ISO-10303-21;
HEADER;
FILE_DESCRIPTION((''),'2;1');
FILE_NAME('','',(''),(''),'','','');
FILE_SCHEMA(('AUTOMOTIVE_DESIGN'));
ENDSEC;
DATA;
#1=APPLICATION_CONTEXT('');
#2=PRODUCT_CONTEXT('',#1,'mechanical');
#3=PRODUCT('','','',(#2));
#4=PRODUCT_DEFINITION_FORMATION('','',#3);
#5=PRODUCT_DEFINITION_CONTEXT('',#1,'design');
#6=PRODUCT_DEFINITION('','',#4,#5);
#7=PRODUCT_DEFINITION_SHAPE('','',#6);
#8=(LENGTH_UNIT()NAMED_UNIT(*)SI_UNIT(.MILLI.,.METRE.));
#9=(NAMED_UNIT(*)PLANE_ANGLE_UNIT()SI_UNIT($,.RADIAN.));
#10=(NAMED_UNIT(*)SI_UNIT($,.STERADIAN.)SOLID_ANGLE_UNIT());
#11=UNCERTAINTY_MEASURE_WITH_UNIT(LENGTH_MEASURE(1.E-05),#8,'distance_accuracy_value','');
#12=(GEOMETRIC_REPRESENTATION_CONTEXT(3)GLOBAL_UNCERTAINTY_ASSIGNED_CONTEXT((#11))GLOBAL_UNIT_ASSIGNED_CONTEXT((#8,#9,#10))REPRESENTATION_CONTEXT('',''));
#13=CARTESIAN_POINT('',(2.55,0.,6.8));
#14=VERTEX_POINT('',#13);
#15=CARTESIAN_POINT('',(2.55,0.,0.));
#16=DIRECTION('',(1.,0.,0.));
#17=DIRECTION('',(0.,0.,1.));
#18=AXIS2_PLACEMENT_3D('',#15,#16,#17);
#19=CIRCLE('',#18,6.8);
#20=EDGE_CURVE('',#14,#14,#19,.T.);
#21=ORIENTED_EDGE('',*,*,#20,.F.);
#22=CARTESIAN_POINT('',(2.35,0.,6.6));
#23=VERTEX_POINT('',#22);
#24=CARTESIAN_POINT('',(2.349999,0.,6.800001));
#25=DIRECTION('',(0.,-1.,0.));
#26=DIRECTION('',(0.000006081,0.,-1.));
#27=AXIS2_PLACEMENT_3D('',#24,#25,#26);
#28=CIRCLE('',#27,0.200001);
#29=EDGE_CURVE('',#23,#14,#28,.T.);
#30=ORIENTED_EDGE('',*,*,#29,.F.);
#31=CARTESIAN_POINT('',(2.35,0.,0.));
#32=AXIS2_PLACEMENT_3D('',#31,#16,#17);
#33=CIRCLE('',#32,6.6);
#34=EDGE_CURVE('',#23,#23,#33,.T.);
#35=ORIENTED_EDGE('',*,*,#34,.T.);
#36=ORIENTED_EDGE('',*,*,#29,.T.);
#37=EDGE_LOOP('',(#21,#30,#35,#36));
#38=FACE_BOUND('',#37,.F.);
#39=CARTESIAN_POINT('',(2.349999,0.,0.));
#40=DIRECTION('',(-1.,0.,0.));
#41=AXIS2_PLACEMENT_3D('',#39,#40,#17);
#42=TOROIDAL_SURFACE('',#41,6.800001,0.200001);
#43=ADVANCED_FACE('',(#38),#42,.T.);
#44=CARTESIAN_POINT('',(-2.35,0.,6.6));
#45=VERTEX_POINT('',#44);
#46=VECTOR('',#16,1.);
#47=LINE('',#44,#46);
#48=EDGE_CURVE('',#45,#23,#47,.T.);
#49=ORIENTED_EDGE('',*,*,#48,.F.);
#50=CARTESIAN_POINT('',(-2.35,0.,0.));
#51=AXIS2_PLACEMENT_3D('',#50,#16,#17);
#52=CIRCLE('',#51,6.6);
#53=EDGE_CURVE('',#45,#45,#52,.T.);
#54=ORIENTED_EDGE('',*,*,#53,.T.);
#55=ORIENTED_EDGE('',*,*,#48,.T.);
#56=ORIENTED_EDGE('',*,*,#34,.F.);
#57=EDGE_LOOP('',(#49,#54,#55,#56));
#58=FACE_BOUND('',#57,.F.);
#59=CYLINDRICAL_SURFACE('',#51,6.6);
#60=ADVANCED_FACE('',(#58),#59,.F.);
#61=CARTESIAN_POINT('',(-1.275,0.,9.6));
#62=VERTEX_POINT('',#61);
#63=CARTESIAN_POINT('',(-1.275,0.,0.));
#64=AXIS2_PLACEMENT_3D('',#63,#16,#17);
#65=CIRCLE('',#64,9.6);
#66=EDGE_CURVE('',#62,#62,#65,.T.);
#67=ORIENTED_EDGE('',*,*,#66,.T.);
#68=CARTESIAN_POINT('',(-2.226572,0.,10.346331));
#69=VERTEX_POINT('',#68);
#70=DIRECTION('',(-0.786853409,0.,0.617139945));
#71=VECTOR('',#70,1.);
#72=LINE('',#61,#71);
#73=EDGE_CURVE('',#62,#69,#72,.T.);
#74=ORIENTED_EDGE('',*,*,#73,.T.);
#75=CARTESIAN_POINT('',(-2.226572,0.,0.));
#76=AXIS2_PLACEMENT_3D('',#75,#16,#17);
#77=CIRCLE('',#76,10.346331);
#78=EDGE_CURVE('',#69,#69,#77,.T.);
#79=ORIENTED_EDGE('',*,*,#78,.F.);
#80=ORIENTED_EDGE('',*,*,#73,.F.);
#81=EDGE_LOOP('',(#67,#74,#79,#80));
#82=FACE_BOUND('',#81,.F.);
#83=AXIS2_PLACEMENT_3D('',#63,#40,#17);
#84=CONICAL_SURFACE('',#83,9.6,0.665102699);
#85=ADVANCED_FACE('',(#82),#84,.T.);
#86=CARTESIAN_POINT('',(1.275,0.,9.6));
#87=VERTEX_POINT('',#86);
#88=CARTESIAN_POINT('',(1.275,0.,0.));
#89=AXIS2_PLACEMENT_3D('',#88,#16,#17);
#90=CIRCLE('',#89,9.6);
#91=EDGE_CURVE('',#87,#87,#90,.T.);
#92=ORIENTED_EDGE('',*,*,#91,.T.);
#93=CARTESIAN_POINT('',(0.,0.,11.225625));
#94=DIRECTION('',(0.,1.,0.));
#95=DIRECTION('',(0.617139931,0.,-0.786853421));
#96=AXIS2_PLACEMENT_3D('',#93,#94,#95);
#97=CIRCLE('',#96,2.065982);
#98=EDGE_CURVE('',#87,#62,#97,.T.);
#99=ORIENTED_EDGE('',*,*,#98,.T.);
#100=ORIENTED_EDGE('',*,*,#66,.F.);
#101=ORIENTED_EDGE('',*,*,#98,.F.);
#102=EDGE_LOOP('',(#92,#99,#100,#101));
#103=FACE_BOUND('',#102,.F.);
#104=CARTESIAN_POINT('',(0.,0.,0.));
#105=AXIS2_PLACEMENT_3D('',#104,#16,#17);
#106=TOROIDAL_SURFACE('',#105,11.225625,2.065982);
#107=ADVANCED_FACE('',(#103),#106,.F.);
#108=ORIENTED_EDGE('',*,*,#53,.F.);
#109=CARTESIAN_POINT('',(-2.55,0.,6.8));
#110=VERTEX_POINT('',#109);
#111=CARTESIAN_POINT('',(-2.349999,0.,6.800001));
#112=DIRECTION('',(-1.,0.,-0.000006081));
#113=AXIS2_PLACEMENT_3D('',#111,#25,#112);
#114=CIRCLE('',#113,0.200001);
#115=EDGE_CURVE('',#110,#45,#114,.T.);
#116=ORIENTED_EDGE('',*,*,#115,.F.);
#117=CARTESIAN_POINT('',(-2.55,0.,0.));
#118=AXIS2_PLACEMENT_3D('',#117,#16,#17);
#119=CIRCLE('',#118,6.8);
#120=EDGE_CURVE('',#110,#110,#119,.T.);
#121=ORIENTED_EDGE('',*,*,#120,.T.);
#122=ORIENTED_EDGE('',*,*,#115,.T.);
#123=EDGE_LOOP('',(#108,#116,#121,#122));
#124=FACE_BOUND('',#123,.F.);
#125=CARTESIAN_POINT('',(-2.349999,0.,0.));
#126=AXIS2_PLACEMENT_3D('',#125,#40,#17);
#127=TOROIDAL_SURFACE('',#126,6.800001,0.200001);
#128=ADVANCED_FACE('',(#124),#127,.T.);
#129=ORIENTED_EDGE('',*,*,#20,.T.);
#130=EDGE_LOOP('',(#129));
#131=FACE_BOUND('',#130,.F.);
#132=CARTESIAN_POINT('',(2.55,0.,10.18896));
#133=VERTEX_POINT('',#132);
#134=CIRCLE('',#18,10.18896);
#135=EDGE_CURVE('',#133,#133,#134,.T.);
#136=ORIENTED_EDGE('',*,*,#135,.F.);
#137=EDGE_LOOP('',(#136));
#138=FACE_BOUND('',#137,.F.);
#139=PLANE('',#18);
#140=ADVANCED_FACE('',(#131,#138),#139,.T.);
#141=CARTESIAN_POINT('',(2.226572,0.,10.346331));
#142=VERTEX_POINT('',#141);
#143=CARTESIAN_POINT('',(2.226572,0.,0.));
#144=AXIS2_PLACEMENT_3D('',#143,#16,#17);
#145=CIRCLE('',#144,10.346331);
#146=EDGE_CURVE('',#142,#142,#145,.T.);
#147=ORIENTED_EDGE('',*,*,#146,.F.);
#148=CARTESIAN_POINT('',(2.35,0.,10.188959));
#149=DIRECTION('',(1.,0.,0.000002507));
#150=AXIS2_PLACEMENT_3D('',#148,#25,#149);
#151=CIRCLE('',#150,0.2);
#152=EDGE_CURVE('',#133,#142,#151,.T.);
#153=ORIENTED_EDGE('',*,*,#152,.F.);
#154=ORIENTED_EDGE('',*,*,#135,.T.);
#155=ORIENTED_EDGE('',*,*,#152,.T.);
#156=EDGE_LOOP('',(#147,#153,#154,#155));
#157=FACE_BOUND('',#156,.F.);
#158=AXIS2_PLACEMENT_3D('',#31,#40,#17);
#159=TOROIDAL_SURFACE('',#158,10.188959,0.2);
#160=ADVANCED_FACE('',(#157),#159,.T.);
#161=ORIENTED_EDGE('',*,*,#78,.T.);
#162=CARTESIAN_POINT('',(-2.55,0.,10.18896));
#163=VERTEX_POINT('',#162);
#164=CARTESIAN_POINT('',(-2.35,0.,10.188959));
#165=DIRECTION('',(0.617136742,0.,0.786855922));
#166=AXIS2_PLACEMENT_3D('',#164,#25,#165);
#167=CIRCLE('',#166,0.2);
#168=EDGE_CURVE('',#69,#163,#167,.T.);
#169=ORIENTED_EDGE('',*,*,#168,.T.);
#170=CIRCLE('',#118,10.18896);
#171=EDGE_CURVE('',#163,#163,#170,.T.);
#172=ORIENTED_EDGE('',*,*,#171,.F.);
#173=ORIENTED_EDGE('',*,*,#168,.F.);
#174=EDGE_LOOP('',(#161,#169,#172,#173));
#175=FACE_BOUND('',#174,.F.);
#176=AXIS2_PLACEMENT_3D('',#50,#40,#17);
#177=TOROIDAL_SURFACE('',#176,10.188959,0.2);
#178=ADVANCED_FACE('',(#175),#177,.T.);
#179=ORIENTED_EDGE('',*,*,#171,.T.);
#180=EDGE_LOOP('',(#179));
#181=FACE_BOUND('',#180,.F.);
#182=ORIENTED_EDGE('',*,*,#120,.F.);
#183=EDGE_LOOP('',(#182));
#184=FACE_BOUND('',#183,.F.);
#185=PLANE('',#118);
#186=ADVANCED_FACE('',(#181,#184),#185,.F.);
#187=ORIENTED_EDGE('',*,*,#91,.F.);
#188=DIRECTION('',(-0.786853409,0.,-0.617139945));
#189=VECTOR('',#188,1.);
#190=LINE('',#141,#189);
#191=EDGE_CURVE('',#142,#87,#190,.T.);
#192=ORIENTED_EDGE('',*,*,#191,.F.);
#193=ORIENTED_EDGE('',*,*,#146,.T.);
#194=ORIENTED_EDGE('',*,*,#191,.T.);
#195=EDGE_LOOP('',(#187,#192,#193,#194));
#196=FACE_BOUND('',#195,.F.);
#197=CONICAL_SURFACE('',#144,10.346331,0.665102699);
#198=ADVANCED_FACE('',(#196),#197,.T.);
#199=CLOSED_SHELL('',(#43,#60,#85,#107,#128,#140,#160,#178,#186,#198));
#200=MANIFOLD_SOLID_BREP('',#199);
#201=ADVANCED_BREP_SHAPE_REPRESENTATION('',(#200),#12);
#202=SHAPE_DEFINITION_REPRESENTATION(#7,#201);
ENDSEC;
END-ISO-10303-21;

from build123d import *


with BuildPart() as f1:
    # F0 (on Front) → F1 (revolve)
    with BuildSketch(Plane.XZ):
        with BuildLine():
            ThreePointArc((-2.55, 6.8), (-2.491421, 6.658579), (-2.35, 6.6))
            Line((-2.35, 6.6), (2.35, 6.6))
            ThreePointArc((2.35, 6.6), (2.491421, 6.658579), (2.55, 6.8))
            Line((2.55, 6.8), (2.55, 10.18896))
            ThreePointArc((2.55, 10.18896), (2.437505, 10.368801), (2.226572, 10.346331))
            Line((2.226572, 10.346331), (1.275, 9.6))
            ThreePointArc((1.275, 9.6), (0, 9.159643), (-1.275, 9.6))
            Line((-1.275, 9.6), (-2.226572, 10.346331))
            ThreePointArc((-2.226572, 10.346331), (-2.437505, 10.368801), (-2.55, 10.18896))
            Line((-2.55, 10.18896), (-2.55, 6.8))
        make_face()
    revolve(axis=Axis((0, 0, 0), (1, 0, 0)))


solid = f1.part
